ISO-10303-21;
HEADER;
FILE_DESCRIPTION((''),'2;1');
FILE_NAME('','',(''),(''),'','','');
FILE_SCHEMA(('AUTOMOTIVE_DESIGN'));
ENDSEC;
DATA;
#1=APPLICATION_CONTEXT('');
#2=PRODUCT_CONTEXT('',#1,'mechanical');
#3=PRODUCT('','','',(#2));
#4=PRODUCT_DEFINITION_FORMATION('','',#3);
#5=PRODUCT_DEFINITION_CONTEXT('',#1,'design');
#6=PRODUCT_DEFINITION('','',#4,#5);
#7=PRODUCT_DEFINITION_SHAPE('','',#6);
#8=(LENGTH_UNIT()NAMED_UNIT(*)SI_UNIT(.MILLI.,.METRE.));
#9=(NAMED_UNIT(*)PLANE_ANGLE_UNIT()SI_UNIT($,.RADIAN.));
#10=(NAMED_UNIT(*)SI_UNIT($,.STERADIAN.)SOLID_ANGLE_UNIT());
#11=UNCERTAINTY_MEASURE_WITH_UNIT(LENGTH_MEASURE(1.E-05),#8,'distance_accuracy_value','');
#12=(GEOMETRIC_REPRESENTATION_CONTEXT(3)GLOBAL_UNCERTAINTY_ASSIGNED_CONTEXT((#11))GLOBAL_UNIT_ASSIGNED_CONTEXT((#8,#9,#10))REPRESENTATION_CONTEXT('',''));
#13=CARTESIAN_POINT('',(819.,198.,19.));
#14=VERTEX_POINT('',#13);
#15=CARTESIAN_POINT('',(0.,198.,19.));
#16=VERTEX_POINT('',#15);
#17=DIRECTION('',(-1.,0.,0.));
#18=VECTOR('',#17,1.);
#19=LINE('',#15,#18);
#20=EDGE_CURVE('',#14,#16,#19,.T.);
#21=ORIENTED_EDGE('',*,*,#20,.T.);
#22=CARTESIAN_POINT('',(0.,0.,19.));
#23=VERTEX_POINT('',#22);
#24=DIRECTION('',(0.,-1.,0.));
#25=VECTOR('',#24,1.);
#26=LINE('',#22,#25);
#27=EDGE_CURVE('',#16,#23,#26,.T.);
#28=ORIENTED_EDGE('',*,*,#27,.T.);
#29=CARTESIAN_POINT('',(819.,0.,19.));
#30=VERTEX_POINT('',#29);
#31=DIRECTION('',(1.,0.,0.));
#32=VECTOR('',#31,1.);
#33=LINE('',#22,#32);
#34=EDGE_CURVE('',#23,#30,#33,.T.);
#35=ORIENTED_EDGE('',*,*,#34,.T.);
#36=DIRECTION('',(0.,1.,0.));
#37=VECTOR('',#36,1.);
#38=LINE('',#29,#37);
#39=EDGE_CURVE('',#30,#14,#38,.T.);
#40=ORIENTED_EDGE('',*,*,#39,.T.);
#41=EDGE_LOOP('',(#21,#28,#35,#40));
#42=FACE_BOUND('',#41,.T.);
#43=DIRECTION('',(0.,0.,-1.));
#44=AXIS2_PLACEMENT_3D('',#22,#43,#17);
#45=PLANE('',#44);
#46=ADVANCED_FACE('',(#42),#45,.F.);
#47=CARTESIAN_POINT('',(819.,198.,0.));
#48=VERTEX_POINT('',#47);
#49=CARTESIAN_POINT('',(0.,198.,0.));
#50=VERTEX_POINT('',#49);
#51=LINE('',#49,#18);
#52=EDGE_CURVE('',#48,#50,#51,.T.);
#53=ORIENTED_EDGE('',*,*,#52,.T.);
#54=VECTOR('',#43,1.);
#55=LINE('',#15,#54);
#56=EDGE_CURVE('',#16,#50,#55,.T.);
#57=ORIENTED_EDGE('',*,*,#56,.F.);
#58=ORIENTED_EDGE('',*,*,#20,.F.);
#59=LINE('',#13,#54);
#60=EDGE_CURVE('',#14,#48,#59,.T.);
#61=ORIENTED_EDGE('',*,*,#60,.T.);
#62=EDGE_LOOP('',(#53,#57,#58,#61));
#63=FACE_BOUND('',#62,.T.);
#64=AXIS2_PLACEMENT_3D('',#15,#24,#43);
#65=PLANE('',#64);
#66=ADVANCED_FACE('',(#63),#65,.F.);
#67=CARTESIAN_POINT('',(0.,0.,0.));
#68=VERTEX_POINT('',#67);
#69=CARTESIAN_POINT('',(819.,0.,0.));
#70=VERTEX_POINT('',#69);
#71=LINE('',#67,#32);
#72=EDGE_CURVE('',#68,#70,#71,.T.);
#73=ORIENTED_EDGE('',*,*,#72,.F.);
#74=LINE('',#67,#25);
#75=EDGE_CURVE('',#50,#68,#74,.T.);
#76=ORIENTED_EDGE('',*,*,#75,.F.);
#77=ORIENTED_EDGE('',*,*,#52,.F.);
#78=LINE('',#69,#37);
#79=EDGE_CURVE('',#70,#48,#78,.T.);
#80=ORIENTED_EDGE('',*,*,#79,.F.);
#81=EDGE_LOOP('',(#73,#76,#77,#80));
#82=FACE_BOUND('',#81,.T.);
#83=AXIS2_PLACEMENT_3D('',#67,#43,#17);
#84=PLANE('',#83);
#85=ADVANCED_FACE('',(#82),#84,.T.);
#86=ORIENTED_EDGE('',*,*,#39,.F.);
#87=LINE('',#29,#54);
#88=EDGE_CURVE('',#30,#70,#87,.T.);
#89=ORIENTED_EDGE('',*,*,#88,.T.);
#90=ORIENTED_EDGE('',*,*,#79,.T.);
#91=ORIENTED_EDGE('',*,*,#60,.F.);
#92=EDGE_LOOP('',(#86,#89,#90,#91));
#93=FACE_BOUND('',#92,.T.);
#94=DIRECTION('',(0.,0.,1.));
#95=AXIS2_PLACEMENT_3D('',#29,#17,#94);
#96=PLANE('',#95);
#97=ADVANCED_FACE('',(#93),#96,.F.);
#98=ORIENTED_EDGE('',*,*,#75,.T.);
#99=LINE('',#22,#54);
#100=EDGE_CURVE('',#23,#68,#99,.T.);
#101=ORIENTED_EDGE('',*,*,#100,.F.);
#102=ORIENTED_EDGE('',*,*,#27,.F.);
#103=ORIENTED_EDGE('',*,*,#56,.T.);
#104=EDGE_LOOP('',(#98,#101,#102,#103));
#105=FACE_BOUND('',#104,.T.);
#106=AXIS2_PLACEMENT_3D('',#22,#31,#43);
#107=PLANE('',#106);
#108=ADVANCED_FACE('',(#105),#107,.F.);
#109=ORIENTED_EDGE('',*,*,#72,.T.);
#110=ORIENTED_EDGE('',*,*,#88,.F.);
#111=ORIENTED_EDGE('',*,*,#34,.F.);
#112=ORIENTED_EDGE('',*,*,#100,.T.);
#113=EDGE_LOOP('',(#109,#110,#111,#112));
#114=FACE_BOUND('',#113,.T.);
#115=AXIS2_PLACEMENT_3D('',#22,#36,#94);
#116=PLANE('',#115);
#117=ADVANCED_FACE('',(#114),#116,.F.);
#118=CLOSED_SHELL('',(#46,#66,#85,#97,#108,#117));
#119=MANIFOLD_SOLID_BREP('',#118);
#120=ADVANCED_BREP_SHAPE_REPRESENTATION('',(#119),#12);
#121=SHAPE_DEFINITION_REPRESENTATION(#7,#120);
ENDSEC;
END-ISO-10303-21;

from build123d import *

# Parameters (mm, degrees)
ESQUISSE1_W        = 819
ESQUISSE1_H        = 198
BOSS_EXTRU_1_DEPTH = 19


with BuildPart() as part:
    # Esquisse1 → Boss.-Extru.1 (new body)
    with BuildSketch(Plane.XY):
        with Locations((409.5, 99)):
            Rectangle(ESQUISSE1_W, ESQUISSE1_H)
    extrude(amount=BOSS_EXTRU_1_DEPTH)


solid = part.part
